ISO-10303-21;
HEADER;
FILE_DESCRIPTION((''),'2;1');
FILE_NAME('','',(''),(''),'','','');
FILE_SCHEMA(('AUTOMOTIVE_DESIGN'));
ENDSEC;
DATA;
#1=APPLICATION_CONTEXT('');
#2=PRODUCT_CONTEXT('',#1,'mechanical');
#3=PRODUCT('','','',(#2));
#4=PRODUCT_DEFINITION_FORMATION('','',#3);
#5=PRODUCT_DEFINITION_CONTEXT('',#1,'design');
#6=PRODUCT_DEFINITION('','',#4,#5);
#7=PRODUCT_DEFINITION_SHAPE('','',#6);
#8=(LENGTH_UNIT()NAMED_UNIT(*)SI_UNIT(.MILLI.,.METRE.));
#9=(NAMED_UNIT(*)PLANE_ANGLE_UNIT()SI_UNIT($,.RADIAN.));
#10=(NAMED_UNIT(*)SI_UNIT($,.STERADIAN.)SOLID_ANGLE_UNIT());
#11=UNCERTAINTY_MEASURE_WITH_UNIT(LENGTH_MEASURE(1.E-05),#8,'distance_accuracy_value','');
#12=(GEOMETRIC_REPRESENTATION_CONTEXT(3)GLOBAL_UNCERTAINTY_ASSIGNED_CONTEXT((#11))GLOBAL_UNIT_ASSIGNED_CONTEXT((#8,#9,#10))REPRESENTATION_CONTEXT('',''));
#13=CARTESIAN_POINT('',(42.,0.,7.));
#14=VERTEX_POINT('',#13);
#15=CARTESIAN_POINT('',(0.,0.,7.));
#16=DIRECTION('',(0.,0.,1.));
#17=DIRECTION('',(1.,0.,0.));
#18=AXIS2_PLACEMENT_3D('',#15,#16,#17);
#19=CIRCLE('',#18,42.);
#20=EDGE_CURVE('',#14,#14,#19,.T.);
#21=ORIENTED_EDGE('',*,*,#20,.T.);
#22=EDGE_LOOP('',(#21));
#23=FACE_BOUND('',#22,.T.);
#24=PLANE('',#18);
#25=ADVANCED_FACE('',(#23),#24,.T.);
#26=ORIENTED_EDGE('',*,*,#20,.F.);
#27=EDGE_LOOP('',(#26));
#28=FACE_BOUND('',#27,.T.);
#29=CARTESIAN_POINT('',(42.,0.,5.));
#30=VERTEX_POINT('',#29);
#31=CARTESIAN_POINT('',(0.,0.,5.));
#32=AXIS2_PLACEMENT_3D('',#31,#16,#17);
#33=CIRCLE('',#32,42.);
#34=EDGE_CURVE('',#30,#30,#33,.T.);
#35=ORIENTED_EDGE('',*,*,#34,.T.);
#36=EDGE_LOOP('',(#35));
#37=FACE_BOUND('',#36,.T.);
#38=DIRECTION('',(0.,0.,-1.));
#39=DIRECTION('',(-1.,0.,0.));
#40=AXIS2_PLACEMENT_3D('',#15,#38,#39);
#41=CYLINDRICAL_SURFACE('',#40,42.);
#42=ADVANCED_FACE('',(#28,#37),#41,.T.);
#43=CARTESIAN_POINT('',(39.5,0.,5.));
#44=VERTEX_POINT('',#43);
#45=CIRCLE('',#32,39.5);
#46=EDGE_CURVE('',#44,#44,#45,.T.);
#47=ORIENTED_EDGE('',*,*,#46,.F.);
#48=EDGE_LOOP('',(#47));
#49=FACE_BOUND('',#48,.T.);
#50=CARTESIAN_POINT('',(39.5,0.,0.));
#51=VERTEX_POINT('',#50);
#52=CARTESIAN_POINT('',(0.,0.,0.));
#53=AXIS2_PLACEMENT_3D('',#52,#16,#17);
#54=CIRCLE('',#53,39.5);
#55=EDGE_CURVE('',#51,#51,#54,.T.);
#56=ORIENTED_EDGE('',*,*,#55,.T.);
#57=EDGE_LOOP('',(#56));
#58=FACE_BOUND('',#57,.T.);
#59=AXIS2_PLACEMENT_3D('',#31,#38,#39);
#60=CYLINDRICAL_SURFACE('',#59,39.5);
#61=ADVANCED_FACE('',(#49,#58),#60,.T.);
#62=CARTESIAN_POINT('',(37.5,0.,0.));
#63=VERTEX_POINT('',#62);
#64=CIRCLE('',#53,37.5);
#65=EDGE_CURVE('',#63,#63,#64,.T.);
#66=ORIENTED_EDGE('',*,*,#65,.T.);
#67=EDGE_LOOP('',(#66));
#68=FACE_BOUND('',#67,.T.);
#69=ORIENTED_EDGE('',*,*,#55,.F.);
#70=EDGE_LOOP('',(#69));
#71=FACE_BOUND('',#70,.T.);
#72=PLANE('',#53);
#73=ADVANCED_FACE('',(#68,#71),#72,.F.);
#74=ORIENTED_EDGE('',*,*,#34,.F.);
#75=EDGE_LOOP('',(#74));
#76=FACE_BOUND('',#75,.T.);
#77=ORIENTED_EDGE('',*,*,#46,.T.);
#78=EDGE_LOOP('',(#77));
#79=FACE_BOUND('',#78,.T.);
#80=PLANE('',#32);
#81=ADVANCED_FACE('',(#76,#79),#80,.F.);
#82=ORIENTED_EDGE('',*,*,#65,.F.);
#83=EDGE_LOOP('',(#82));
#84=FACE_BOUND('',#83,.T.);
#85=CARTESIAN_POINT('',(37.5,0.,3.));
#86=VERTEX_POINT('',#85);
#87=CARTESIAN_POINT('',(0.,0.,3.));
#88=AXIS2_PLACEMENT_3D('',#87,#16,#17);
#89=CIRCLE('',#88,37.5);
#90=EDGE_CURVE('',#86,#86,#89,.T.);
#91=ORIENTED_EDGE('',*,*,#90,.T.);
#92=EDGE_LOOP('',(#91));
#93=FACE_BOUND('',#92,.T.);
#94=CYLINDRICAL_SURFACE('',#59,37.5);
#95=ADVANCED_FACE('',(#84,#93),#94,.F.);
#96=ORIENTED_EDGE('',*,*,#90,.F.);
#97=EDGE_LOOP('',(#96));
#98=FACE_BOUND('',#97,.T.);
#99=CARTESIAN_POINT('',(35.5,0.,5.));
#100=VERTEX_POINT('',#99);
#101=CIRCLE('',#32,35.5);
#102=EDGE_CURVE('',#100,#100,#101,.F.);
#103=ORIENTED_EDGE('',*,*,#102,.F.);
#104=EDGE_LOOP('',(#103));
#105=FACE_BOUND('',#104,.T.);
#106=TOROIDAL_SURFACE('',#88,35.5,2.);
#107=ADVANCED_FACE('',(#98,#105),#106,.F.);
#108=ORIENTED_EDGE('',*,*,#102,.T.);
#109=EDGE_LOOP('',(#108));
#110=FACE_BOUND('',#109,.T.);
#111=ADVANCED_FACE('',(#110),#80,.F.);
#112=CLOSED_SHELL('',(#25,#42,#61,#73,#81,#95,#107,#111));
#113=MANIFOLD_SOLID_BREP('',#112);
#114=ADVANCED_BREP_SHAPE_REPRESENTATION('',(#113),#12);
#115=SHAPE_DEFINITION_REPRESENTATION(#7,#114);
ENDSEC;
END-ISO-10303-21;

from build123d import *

# Parameters (mm, degrees)
SKETCH1_R           = 39.5
SKETCH1_R_2         = 37.5
BOSS_EXTRUDE1_DEPTH = 5
SKETCH2_R           = 42
BOSS_EXTRUDE2_DEPTH = 2
FILLET1_R           = 2


with BuildPart() as part:
    # Sketch1 → Boss-Extrude1 (new body)
    with BuildSketch(Plane.XY):
        Circle(SKETCH1_R)
        Circle(SKETCH1_R_2, mode=Mode.SUBTRACT)
    extrude(amount=BOSS_EXTRUDE1_DEPTH)

    # Sketch2 → Boss-Extrude2 (add)
    with BuildSketch(Plane.XY.offset(5)):
        Circle(SKETCH2_R)
    extrude(amount=BOSS_EXTRUDE2_DEPTH)

    # Fillet1
    fillet1_edges = [part.edges().sort_by_distance(p)[0] for p in [
        (-37.5, 0, 5),
    ]]
    fillet(fillet1_edges, radius=FILLET1_R)


solid = part.part
